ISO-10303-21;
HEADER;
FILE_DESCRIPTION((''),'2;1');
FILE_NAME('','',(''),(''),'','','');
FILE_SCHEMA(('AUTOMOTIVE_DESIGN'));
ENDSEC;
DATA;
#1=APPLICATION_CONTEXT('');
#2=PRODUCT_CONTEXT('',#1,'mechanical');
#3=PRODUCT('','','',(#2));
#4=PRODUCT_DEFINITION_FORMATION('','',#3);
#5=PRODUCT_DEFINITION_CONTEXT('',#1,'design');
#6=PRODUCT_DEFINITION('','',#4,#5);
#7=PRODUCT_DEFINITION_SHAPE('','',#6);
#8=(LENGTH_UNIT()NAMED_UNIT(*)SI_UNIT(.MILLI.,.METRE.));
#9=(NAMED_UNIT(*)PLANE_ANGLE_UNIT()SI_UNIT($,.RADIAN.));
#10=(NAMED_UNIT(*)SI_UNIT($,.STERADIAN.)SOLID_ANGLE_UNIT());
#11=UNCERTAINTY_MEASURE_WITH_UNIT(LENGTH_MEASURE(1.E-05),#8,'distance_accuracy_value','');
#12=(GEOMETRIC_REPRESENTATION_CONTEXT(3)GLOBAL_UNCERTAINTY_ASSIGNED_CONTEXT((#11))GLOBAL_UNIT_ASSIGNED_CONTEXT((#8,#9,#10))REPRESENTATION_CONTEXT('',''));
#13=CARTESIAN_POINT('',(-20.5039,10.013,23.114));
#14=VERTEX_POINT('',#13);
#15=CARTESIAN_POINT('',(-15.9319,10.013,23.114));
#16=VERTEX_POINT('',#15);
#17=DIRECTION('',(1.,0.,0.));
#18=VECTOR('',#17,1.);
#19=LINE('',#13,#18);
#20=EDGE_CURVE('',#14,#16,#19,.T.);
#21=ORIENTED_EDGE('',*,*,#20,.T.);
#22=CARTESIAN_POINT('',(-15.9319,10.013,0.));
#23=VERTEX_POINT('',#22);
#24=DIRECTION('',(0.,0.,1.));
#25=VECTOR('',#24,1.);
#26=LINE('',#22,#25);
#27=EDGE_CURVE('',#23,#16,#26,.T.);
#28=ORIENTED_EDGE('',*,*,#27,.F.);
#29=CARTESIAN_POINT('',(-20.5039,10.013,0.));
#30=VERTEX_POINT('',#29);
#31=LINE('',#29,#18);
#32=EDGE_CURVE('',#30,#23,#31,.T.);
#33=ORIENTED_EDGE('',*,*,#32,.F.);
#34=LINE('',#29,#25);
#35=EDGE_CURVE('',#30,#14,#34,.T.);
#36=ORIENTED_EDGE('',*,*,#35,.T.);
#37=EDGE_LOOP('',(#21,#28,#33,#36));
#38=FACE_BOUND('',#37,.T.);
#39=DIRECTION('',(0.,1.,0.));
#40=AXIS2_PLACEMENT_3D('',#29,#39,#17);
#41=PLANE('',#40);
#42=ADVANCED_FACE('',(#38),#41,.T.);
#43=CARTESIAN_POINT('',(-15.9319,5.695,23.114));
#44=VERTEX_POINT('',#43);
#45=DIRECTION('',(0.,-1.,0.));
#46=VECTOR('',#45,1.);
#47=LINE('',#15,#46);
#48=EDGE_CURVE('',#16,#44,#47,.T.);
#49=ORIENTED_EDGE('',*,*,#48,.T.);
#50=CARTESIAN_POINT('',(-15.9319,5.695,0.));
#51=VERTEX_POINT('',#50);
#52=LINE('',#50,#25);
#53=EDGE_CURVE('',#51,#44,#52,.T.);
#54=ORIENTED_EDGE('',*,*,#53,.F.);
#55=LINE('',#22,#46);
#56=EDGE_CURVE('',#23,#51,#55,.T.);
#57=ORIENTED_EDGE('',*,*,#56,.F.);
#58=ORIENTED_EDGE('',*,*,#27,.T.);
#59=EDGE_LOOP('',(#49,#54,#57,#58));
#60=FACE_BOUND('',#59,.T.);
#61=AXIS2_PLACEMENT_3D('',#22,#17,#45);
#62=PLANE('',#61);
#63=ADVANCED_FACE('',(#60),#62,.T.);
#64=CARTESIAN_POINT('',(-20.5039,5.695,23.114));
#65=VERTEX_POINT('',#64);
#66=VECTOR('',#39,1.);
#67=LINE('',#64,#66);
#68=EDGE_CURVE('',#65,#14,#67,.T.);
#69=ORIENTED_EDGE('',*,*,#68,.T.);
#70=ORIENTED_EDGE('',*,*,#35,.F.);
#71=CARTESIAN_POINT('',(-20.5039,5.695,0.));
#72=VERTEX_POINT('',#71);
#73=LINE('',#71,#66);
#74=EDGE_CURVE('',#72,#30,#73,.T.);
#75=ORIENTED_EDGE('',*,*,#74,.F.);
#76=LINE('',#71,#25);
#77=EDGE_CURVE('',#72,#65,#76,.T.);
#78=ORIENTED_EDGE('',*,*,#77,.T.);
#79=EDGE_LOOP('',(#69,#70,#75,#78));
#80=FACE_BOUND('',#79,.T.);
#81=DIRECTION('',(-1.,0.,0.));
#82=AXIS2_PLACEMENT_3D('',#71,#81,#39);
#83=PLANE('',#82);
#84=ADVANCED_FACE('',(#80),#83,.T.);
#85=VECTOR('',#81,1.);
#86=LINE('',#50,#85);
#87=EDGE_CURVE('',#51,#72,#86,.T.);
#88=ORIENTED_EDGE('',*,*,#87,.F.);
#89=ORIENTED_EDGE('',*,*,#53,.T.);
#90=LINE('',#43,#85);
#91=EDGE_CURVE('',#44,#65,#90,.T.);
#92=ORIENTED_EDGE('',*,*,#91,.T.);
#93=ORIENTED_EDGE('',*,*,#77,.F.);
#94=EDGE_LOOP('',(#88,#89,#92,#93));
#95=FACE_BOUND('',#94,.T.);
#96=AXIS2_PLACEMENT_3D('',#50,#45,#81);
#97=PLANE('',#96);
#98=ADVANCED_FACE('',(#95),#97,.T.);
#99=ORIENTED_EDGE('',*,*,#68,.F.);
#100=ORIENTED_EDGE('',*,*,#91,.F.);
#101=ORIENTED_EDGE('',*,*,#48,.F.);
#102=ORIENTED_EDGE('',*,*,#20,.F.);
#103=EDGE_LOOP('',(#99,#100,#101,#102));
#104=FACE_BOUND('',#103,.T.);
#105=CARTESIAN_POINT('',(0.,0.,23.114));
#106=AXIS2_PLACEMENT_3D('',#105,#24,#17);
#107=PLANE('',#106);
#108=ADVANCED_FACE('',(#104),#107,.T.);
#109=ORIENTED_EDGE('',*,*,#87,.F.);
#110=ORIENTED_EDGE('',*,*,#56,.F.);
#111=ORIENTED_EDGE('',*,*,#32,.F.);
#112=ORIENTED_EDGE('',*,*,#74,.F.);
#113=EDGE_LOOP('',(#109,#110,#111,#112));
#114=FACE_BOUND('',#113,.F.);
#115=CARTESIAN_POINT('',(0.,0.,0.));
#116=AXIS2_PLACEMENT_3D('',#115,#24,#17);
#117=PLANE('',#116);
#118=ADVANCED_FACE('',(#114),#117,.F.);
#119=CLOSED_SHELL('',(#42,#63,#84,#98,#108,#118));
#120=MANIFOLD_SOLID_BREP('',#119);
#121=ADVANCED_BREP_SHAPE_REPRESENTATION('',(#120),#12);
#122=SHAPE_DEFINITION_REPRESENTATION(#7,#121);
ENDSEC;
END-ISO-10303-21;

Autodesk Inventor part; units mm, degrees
ref_plane "YZ Plane" through (0, 0, 0) normal (1, 0, 0) x (0, 1, 0)
ref_plane "XZ Plane" through (0, 0, 0) normal (0, 1, 0) x (-1, 0, 0)
ref_plane "XY Plane" through (0, 0, 0) normal (0, 0, 1) x (1, 0, 0)
sketch "Sketch1" plane through (0, 0, 0) normal (0, 0, 1) x (1, 0, 0)
  line L0 (-20.5039, 10.013) -> (-15.9319, 10.013)
  line L1 (-15.9319, 10.013) -> (-15.9319, 5.695)
  line L2 (-15.9319, 5.695) -> (-20.5039, 5.695)
  line L3 (-20.5039, 5.695) -> (-20.5039, 10.013)
  point P0 (0, 0)
  dimension "d0" = 4.572
  dimension "d1" = 4.318
extrude "Extrusion1" add sketch "Sketch1" along normal blind 23.114
properties part number "crossbowinsert"
